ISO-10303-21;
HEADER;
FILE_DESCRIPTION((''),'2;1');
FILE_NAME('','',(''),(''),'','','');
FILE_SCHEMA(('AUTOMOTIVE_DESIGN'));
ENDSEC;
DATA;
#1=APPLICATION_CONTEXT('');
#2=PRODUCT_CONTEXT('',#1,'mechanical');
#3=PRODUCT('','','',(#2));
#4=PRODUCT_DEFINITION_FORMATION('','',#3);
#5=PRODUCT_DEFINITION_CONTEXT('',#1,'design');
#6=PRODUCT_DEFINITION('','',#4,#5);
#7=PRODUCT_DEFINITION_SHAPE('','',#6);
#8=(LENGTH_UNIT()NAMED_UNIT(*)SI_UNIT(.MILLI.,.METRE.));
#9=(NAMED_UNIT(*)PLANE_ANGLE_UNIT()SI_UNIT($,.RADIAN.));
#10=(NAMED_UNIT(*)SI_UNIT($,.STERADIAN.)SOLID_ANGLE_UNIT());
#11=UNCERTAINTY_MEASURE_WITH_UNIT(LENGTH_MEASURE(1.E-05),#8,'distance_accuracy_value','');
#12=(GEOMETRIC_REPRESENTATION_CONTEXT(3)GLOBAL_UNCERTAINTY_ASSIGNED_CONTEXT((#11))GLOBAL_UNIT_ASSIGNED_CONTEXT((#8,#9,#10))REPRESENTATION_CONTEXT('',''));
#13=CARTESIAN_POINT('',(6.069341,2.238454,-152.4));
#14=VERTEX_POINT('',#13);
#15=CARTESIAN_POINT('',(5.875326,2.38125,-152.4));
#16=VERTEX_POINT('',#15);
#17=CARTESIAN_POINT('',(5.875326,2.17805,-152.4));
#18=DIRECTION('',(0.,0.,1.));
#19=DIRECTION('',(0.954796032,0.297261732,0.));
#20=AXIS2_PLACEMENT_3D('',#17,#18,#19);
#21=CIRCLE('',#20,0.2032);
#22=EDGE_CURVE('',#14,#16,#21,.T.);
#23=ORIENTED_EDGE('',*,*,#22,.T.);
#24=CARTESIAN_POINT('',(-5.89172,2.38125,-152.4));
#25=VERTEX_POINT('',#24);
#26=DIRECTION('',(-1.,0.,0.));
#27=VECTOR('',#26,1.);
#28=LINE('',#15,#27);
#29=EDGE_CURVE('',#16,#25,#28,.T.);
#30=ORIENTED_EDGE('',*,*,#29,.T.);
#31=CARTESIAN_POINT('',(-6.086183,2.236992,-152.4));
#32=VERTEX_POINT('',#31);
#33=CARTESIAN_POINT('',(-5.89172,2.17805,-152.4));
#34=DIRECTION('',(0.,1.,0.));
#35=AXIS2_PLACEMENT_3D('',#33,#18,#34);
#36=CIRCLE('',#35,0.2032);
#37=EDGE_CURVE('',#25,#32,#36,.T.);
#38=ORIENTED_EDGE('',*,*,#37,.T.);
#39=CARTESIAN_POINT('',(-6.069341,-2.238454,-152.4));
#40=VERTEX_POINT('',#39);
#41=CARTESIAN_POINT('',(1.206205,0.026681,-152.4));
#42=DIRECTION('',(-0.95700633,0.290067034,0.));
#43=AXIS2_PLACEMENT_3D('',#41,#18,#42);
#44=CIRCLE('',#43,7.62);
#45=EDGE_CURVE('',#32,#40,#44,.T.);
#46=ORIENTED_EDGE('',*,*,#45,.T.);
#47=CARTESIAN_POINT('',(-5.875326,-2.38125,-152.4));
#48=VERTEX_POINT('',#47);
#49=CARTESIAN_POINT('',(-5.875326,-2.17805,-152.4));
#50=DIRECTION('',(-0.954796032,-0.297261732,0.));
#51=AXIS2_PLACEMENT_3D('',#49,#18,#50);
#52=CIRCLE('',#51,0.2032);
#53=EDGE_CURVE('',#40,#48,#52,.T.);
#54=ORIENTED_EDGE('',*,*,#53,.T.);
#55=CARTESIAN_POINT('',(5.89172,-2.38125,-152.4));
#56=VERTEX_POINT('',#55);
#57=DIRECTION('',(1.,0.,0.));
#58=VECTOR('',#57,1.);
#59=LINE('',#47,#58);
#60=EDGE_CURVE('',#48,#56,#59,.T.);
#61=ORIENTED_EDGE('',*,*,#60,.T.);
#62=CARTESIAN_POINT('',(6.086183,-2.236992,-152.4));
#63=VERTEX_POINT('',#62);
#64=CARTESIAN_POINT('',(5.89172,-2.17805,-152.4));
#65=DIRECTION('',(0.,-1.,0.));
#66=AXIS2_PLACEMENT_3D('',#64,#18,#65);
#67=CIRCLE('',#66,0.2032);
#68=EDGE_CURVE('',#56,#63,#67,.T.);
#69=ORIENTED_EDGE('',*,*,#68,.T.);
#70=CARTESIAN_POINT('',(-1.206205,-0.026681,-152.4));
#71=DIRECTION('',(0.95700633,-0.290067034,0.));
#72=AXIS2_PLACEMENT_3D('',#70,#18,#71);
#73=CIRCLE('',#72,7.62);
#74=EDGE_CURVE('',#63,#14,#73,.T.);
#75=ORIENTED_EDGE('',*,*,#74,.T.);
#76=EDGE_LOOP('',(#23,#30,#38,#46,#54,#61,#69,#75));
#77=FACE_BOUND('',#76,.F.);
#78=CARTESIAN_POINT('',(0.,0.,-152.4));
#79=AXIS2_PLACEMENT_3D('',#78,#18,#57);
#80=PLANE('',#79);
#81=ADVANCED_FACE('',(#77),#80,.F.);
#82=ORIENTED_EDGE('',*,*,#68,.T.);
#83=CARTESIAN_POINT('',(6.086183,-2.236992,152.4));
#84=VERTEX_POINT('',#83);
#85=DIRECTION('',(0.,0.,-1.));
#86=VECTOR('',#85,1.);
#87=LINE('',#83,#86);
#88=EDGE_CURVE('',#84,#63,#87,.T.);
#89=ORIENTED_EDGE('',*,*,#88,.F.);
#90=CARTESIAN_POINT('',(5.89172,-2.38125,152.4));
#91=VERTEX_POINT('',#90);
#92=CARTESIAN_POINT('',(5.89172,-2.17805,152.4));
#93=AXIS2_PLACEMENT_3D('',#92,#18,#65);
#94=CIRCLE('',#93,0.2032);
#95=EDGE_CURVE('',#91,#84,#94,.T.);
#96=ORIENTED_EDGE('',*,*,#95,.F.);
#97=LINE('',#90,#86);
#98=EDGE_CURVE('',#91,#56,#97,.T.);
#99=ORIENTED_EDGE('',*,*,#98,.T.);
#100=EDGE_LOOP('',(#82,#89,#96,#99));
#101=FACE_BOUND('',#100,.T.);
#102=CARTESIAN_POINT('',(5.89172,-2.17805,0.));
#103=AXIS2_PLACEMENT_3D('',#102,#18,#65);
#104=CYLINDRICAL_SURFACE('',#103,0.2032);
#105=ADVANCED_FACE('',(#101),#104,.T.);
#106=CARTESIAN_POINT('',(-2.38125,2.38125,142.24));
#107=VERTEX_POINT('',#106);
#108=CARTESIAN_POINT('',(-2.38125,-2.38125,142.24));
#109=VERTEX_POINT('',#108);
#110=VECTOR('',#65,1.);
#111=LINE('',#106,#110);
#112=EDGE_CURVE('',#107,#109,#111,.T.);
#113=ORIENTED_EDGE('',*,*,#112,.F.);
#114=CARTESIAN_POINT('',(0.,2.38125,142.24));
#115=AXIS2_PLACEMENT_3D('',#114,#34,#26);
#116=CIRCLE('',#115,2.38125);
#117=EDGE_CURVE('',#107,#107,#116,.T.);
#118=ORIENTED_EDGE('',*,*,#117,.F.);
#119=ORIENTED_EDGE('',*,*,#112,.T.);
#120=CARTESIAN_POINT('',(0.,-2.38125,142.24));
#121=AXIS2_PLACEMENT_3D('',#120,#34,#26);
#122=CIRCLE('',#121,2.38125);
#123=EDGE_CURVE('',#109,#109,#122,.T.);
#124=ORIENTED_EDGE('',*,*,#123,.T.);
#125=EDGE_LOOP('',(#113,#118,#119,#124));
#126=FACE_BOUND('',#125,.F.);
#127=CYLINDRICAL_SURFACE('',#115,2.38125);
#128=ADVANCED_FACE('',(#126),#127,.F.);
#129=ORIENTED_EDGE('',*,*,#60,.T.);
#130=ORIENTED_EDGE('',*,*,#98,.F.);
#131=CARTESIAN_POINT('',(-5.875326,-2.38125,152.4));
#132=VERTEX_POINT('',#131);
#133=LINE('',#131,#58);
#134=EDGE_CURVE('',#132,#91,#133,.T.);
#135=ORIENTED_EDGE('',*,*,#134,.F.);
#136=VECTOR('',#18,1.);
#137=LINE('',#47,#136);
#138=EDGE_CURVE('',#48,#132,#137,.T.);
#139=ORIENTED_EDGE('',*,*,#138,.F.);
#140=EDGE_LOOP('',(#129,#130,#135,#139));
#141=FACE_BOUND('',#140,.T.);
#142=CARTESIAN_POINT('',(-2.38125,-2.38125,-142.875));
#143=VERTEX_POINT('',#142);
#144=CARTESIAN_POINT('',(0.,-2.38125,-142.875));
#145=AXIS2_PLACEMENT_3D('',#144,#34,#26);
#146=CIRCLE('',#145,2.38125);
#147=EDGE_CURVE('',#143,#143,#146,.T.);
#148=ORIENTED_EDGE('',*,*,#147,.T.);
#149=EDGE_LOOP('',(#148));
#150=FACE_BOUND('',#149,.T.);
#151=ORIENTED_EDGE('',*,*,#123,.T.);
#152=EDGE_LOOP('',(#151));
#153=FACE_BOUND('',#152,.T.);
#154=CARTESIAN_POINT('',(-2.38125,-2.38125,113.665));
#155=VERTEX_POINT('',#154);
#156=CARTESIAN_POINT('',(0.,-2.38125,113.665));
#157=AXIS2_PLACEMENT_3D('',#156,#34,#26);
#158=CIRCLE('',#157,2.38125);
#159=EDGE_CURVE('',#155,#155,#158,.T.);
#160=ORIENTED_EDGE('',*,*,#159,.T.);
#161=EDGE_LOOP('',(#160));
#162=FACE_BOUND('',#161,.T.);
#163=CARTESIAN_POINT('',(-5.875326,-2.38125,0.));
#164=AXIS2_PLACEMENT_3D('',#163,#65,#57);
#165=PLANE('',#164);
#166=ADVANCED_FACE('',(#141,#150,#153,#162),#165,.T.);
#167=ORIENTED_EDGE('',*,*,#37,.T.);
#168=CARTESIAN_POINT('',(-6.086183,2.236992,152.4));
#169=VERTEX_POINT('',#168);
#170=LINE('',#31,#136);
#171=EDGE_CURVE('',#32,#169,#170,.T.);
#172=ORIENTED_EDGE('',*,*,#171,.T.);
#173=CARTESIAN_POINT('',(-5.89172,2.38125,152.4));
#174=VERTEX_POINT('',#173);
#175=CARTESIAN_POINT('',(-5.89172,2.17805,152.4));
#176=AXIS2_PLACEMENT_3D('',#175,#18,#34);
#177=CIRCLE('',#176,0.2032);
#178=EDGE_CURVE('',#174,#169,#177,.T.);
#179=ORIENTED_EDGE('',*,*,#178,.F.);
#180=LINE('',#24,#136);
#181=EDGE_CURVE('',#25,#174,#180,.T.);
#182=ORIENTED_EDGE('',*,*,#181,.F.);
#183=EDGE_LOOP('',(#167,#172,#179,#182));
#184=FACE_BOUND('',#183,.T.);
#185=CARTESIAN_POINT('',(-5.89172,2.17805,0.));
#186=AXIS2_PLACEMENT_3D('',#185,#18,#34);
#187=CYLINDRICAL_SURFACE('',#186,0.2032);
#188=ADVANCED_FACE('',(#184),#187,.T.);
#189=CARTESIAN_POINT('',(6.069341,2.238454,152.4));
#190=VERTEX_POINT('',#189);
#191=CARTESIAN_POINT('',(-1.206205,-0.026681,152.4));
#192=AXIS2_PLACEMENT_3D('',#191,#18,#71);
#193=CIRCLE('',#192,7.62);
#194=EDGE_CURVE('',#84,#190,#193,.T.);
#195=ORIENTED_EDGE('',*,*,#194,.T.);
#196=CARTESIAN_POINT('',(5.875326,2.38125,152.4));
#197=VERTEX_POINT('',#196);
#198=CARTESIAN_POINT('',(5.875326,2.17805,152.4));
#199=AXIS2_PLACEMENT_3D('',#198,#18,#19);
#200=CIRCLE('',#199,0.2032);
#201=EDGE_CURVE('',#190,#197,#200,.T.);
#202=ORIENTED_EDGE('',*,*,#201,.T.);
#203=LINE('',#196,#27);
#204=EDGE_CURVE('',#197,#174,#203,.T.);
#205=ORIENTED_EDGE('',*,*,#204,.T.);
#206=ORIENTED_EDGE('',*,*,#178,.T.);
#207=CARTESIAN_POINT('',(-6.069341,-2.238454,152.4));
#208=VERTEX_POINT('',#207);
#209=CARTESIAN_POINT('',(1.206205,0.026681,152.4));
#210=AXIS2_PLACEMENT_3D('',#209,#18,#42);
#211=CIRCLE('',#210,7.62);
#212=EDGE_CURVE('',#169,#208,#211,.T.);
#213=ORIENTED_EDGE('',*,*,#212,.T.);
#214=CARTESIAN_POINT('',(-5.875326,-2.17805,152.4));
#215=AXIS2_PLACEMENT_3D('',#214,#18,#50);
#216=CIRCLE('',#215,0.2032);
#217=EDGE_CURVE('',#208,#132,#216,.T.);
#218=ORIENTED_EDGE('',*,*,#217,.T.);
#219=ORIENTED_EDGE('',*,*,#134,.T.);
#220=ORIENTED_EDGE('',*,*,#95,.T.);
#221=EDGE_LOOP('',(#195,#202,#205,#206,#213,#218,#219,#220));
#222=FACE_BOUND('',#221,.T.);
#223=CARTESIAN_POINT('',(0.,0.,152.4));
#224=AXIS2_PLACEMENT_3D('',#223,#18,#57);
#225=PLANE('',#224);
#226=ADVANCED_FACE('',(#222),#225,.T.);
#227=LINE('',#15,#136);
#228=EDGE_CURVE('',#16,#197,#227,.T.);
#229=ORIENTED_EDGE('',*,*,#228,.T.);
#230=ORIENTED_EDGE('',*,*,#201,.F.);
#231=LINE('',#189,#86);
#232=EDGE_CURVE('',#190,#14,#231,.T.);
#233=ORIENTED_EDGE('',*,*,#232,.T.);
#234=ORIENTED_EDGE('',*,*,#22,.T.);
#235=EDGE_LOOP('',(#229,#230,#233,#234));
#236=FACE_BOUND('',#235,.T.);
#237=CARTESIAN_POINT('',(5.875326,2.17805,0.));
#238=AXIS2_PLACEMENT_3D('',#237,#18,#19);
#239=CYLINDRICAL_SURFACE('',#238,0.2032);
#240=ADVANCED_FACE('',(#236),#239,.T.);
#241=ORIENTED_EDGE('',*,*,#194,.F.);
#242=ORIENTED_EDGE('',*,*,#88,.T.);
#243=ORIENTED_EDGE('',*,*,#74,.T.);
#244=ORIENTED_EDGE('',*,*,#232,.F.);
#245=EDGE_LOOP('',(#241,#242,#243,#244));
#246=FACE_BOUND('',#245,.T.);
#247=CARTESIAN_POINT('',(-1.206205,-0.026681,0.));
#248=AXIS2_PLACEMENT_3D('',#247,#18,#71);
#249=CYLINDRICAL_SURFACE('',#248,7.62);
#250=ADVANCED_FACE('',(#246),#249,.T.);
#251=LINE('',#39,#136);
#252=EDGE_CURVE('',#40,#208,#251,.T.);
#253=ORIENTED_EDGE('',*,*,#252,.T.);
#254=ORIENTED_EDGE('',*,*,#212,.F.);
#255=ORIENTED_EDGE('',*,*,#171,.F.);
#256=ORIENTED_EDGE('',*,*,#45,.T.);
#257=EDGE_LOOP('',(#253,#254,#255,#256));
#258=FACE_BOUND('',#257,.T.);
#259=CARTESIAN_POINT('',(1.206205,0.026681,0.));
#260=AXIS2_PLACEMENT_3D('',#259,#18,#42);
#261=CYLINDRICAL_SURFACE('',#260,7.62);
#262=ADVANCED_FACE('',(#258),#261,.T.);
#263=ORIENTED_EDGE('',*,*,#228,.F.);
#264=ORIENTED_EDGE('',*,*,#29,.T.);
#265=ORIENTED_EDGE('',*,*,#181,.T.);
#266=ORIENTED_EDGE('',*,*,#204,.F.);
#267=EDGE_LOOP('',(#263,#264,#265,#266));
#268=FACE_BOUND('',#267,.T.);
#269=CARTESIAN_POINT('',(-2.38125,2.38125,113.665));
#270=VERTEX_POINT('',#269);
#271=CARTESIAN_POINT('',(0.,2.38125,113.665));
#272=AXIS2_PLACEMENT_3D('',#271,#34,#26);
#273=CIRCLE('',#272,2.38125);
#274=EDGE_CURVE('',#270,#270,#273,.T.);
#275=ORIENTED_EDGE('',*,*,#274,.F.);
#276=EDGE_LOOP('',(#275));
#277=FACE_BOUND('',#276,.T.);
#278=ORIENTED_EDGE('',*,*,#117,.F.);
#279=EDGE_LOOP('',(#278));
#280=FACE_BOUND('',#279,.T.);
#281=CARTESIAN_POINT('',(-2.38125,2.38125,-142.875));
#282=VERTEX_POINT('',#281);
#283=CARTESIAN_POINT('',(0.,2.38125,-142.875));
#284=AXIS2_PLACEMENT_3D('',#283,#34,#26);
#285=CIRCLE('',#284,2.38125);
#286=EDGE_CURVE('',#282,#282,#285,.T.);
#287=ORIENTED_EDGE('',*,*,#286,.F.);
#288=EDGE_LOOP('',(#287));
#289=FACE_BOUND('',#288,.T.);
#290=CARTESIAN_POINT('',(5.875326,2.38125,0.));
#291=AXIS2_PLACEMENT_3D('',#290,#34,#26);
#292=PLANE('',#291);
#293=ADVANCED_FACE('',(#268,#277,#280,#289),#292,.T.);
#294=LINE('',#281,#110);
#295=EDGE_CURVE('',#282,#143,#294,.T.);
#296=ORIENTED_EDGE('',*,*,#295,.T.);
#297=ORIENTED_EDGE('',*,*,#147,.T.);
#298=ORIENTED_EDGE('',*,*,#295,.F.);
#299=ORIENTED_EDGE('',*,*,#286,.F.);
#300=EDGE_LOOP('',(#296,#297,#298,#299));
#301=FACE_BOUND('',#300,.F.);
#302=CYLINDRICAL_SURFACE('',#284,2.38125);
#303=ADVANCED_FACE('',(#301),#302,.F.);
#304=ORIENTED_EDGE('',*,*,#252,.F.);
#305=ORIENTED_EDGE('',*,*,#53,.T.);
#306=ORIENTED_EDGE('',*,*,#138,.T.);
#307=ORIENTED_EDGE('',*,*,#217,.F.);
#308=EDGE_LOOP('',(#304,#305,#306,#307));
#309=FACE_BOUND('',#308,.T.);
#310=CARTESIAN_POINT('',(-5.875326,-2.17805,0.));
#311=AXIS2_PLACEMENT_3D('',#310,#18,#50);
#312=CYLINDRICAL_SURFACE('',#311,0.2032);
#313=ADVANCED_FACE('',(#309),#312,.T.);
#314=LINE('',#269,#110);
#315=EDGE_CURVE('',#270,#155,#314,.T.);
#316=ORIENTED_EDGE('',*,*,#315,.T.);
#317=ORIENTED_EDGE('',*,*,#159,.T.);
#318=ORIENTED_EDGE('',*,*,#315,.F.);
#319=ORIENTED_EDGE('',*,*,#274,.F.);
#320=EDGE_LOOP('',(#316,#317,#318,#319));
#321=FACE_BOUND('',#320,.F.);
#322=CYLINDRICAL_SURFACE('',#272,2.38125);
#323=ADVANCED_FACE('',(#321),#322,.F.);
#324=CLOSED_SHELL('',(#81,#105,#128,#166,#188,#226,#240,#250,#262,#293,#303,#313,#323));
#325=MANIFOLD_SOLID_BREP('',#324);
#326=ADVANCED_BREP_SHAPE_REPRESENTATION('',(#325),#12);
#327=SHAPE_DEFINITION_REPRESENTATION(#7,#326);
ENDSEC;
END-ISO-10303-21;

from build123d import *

# Parameters (mm, degrees)
F1_DEPTH = 152.4
F2_R     = 2.38125
F3_DEPTH = 4.7635


with BuildPart() as f1:
    # F0 (on Top) → F1 (new body, symmetric)
    with BuildSketch(Plane.XY):
        with BuildLine():
            ThreePointArc((6.0693408105, 2.2384535841), (5.9957758972, 2.3417024493), (5.8753262569, 2.38125))
            Line((5.8753262569, 2.38125), (-5.8917195974, 2.38125))
            ThreePointArc((-5.8917195974, 2.38125), (-6.0127842548, 2.3412480047), (-6.0861832837, 2.2369916213))
            ThreePointArc((-6.0861832837, 2.2369916213), (-6.4137410905, -0.0019953736), (-6.0693408105, -2.2384535841))
            ThreePointArc((-6.0693408105, -2.2384535841), (-5.9957758972, -2.3417024493), (-5.8753262569, -2.38125))
            Line((-5.8753262569, -2.38125), (5.8917195974, -2.38125))
            ThreePointArc((5.8917195974, -2.38125), (6.0127842548, -2.3412480047), (6.0861832837, -2.2369916213))
            ThreePointArc((6.0861832837, -2.2369916213), (6.4137410905, 0.0019953736), (6.0693408105, 2.2384535841))
        make_face()
    extrude(amount=F1_DEPTH, both=True)

    # F2 (on face) → F3 (cut, through all)
    with BuildSketch(Plane(origin=(0, 2.38125, 0), x_dir=(-1, 0, 0), z_dir=(0, 1, 0))):
        with Locations((0, 142.24)):
            Circle(F2_R)
        with Locations((0, 113.665)):
            Circle(F2_R)
        with Locations((0, -142.875)):
            Circle(F2_R)
    extrude(amount=-F3_DEPTH, mode=Mode.SUBTRACT)


solid = f1.part
